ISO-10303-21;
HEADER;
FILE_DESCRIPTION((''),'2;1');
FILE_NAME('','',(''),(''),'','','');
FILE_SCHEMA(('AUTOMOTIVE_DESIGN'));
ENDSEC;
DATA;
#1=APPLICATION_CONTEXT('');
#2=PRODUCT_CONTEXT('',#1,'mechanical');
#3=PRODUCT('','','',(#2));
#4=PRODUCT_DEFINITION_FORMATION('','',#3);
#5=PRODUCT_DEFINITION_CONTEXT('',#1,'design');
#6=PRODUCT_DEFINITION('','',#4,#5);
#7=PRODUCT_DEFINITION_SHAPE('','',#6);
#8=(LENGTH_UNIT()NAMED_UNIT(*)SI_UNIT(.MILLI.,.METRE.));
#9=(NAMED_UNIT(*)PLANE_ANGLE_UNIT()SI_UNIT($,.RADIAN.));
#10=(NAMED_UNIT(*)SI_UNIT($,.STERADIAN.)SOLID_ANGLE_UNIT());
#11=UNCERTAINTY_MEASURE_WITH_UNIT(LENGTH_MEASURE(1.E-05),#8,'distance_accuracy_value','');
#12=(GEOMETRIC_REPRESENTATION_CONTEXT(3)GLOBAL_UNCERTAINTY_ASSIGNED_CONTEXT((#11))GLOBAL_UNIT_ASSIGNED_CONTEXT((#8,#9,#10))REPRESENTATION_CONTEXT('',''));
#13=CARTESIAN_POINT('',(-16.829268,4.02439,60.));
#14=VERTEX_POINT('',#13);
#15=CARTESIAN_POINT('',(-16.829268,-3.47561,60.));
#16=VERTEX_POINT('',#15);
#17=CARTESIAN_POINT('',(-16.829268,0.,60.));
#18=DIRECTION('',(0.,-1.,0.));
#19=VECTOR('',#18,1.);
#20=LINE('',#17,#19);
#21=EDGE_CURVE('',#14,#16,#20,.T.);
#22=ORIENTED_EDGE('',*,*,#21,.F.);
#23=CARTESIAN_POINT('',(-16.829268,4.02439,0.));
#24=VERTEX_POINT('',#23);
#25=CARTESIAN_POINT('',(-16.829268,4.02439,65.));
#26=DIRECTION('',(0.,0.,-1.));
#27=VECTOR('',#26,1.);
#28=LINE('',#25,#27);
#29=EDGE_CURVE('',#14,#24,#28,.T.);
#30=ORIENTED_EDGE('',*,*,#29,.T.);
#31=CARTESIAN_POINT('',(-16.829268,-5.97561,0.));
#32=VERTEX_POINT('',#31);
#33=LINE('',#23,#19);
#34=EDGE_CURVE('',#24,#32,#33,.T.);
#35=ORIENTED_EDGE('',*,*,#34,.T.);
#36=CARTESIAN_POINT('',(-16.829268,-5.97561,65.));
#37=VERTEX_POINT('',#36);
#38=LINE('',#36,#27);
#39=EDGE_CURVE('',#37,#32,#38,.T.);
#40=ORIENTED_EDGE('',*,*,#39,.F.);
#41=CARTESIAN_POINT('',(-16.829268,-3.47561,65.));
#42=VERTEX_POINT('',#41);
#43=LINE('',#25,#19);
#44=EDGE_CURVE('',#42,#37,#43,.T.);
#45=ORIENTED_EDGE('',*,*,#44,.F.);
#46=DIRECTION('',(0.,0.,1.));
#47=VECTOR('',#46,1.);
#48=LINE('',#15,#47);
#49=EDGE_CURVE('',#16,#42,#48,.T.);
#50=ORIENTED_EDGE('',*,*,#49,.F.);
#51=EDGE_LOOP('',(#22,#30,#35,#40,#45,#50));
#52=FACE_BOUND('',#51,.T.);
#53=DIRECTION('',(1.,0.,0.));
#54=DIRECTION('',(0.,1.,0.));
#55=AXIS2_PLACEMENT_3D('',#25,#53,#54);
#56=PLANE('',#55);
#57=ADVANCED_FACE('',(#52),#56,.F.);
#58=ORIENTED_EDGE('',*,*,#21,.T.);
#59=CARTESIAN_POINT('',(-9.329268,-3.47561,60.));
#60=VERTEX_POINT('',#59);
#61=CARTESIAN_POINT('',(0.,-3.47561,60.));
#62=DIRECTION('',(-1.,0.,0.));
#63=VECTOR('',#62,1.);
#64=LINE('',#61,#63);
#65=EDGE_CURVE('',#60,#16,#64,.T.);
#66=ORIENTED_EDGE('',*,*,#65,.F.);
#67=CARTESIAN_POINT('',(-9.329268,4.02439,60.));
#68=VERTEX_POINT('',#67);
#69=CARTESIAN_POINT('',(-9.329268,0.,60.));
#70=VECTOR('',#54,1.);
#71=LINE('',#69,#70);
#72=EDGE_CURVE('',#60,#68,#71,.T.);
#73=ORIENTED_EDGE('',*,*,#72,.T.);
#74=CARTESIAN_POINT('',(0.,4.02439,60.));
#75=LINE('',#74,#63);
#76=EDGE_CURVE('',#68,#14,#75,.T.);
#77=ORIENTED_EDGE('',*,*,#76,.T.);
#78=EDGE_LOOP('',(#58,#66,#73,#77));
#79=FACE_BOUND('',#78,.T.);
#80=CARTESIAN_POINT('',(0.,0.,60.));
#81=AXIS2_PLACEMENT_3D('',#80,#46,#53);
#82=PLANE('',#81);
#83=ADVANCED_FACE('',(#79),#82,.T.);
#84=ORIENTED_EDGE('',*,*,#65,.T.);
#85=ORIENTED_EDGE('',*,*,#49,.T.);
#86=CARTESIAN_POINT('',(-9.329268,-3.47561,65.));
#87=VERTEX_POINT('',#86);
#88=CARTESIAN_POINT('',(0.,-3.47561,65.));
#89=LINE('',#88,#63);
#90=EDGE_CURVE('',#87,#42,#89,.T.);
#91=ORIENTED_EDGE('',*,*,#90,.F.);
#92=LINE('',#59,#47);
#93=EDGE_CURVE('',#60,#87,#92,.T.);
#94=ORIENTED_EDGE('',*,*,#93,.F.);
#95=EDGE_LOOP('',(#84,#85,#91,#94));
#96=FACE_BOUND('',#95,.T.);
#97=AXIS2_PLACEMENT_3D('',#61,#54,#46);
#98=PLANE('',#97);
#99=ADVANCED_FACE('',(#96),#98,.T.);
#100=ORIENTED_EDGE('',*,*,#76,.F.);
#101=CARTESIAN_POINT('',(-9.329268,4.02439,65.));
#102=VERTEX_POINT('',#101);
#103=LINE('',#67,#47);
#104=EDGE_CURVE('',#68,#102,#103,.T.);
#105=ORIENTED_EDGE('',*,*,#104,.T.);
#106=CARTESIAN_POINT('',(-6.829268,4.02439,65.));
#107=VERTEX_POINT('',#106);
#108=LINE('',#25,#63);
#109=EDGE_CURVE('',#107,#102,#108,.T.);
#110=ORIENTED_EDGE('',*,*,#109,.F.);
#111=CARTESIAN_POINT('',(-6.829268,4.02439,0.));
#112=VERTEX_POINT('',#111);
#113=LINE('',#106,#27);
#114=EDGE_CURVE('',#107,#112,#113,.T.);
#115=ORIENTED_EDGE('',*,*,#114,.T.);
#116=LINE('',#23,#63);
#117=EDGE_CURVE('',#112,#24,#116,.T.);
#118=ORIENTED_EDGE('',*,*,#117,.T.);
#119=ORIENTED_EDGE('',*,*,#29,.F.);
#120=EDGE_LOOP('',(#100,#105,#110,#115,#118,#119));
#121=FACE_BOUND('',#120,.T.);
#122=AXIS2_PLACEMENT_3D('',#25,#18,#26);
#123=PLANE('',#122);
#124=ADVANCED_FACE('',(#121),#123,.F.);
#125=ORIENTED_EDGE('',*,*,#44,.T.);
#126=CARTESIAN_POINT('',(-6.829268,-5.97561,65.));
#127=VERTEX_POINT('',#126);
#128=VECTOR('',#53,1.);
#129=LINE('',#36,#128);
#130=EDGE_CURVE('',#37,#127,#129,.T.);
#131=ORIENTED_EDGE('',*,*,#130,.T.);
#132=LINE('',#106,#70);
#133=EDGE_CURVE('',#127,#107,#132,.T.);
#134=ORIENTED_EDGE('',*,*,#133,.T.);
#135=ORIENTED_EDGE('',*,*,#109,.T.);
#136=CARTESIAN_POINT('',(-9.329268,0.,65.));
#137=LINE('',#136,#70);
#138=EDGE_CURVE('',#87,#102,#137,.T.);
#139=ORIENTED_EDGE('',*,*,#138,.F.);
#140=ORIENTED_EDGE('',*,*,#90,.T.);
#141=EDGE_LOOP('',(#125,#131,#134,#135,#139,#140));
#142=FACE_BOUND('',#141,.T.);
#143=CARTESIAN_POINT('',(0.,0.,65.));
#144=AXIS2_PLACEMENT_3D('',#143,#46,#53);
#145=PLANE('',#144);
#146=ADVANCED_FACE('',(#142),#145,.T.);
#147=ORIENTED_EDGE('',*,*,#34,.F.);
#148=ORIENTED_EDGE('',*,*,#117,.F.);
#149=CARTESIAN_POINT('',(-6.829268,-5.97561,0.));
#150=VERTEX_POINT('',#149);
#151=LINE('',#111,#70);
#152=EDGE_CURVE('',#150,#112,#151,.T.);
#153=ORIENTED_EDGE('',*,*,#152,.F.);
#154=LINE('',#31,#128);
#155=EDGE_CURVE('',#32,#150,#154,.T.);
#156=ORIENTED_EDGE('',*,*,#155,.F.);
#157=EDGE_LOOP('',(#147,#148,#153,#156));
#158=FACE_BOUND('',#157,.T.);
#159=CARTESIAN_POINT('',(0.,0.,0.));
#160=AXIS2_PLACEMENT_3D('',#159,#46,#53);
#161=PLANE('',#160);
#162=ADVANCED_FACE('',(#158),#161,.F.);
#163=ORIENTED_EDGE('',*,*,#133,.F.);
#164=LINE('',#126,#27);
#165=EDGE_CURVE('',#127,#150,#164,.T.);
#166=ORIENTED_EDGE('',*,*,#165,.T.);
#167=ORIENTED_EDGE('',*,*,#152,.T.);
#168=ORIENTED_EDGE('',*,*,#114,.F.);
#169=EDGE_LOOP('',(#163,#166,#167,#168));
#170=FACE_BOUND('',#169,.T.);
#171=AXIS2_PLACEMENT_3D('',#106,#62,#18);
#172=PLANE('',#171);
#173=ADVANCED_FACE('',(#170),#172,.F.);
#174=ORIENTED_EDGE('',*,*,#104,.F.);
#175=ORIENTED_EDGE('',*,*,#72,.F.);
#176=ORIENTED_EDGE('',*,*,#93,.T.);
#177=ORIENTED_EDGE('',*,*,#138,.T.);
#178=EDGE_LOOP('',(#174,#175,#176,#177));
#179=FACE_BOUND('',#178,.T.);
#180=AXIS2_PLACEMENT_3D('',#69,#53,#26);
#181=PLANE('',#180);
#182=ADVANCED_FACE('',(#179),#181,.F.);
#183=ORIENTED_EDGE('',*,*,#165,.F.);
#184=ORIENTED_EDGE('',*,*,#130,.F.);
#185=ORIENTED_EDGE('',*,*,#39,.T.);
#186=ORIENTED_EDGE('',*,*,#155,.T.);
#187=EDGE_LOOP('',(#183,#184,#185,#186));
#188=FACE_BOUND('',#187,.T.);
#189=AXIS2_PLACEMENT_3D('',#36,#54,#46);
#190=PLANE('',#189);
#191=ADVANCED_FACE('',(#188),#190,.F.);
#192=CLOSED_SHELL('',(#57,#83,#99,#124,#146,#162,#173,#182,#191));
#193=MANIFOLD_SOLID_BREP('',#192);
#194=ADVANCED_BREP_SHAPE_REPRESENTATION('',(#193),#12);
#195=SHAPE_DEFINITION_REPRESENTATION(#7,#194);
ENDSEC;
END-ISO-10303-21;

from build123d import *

# Parameters (mm, degrees)
SKETCH1_W           = 10
SKETCH1_H           = 10
BOSS_EXTRUDE1_DEPTH = 65
CUT_EXTRUDE1_DEPTH  = 5


with BuildPart() as part:
    # Sketch1 → Boss-Extrude1 (new body)
    with BuildSketch(Plane.XY):
        with Locations((-11.829268293, -0.975609756)):
            Rectangle(SKETCH1_W, SKETCH1_H)
    extrude(amount=BOSS_EXTRUDE1_DEPTH)

    # Sketch2 → Cut-Extrude1 (cut)
    with BuildSketch(Plane.XY.offset(65)):
        Polygon((-9.329268293, 1.524390244), (-11.829268293, 4.024390244), (-16.829268293, 4.024390244), (-16.829268293, -3.475609756), (-9.329268293, -3.475609756), align=None)
        Polygon((-9.329268293, 4.024390244), (-11.829268293, 4.024390244), (-9.329268293, 1.524390244), align=None)
    extrude(amount=-CUT_EXTRUDE1_DEPTH, mode=Mode.SUBTRACT)


solid = part.part
